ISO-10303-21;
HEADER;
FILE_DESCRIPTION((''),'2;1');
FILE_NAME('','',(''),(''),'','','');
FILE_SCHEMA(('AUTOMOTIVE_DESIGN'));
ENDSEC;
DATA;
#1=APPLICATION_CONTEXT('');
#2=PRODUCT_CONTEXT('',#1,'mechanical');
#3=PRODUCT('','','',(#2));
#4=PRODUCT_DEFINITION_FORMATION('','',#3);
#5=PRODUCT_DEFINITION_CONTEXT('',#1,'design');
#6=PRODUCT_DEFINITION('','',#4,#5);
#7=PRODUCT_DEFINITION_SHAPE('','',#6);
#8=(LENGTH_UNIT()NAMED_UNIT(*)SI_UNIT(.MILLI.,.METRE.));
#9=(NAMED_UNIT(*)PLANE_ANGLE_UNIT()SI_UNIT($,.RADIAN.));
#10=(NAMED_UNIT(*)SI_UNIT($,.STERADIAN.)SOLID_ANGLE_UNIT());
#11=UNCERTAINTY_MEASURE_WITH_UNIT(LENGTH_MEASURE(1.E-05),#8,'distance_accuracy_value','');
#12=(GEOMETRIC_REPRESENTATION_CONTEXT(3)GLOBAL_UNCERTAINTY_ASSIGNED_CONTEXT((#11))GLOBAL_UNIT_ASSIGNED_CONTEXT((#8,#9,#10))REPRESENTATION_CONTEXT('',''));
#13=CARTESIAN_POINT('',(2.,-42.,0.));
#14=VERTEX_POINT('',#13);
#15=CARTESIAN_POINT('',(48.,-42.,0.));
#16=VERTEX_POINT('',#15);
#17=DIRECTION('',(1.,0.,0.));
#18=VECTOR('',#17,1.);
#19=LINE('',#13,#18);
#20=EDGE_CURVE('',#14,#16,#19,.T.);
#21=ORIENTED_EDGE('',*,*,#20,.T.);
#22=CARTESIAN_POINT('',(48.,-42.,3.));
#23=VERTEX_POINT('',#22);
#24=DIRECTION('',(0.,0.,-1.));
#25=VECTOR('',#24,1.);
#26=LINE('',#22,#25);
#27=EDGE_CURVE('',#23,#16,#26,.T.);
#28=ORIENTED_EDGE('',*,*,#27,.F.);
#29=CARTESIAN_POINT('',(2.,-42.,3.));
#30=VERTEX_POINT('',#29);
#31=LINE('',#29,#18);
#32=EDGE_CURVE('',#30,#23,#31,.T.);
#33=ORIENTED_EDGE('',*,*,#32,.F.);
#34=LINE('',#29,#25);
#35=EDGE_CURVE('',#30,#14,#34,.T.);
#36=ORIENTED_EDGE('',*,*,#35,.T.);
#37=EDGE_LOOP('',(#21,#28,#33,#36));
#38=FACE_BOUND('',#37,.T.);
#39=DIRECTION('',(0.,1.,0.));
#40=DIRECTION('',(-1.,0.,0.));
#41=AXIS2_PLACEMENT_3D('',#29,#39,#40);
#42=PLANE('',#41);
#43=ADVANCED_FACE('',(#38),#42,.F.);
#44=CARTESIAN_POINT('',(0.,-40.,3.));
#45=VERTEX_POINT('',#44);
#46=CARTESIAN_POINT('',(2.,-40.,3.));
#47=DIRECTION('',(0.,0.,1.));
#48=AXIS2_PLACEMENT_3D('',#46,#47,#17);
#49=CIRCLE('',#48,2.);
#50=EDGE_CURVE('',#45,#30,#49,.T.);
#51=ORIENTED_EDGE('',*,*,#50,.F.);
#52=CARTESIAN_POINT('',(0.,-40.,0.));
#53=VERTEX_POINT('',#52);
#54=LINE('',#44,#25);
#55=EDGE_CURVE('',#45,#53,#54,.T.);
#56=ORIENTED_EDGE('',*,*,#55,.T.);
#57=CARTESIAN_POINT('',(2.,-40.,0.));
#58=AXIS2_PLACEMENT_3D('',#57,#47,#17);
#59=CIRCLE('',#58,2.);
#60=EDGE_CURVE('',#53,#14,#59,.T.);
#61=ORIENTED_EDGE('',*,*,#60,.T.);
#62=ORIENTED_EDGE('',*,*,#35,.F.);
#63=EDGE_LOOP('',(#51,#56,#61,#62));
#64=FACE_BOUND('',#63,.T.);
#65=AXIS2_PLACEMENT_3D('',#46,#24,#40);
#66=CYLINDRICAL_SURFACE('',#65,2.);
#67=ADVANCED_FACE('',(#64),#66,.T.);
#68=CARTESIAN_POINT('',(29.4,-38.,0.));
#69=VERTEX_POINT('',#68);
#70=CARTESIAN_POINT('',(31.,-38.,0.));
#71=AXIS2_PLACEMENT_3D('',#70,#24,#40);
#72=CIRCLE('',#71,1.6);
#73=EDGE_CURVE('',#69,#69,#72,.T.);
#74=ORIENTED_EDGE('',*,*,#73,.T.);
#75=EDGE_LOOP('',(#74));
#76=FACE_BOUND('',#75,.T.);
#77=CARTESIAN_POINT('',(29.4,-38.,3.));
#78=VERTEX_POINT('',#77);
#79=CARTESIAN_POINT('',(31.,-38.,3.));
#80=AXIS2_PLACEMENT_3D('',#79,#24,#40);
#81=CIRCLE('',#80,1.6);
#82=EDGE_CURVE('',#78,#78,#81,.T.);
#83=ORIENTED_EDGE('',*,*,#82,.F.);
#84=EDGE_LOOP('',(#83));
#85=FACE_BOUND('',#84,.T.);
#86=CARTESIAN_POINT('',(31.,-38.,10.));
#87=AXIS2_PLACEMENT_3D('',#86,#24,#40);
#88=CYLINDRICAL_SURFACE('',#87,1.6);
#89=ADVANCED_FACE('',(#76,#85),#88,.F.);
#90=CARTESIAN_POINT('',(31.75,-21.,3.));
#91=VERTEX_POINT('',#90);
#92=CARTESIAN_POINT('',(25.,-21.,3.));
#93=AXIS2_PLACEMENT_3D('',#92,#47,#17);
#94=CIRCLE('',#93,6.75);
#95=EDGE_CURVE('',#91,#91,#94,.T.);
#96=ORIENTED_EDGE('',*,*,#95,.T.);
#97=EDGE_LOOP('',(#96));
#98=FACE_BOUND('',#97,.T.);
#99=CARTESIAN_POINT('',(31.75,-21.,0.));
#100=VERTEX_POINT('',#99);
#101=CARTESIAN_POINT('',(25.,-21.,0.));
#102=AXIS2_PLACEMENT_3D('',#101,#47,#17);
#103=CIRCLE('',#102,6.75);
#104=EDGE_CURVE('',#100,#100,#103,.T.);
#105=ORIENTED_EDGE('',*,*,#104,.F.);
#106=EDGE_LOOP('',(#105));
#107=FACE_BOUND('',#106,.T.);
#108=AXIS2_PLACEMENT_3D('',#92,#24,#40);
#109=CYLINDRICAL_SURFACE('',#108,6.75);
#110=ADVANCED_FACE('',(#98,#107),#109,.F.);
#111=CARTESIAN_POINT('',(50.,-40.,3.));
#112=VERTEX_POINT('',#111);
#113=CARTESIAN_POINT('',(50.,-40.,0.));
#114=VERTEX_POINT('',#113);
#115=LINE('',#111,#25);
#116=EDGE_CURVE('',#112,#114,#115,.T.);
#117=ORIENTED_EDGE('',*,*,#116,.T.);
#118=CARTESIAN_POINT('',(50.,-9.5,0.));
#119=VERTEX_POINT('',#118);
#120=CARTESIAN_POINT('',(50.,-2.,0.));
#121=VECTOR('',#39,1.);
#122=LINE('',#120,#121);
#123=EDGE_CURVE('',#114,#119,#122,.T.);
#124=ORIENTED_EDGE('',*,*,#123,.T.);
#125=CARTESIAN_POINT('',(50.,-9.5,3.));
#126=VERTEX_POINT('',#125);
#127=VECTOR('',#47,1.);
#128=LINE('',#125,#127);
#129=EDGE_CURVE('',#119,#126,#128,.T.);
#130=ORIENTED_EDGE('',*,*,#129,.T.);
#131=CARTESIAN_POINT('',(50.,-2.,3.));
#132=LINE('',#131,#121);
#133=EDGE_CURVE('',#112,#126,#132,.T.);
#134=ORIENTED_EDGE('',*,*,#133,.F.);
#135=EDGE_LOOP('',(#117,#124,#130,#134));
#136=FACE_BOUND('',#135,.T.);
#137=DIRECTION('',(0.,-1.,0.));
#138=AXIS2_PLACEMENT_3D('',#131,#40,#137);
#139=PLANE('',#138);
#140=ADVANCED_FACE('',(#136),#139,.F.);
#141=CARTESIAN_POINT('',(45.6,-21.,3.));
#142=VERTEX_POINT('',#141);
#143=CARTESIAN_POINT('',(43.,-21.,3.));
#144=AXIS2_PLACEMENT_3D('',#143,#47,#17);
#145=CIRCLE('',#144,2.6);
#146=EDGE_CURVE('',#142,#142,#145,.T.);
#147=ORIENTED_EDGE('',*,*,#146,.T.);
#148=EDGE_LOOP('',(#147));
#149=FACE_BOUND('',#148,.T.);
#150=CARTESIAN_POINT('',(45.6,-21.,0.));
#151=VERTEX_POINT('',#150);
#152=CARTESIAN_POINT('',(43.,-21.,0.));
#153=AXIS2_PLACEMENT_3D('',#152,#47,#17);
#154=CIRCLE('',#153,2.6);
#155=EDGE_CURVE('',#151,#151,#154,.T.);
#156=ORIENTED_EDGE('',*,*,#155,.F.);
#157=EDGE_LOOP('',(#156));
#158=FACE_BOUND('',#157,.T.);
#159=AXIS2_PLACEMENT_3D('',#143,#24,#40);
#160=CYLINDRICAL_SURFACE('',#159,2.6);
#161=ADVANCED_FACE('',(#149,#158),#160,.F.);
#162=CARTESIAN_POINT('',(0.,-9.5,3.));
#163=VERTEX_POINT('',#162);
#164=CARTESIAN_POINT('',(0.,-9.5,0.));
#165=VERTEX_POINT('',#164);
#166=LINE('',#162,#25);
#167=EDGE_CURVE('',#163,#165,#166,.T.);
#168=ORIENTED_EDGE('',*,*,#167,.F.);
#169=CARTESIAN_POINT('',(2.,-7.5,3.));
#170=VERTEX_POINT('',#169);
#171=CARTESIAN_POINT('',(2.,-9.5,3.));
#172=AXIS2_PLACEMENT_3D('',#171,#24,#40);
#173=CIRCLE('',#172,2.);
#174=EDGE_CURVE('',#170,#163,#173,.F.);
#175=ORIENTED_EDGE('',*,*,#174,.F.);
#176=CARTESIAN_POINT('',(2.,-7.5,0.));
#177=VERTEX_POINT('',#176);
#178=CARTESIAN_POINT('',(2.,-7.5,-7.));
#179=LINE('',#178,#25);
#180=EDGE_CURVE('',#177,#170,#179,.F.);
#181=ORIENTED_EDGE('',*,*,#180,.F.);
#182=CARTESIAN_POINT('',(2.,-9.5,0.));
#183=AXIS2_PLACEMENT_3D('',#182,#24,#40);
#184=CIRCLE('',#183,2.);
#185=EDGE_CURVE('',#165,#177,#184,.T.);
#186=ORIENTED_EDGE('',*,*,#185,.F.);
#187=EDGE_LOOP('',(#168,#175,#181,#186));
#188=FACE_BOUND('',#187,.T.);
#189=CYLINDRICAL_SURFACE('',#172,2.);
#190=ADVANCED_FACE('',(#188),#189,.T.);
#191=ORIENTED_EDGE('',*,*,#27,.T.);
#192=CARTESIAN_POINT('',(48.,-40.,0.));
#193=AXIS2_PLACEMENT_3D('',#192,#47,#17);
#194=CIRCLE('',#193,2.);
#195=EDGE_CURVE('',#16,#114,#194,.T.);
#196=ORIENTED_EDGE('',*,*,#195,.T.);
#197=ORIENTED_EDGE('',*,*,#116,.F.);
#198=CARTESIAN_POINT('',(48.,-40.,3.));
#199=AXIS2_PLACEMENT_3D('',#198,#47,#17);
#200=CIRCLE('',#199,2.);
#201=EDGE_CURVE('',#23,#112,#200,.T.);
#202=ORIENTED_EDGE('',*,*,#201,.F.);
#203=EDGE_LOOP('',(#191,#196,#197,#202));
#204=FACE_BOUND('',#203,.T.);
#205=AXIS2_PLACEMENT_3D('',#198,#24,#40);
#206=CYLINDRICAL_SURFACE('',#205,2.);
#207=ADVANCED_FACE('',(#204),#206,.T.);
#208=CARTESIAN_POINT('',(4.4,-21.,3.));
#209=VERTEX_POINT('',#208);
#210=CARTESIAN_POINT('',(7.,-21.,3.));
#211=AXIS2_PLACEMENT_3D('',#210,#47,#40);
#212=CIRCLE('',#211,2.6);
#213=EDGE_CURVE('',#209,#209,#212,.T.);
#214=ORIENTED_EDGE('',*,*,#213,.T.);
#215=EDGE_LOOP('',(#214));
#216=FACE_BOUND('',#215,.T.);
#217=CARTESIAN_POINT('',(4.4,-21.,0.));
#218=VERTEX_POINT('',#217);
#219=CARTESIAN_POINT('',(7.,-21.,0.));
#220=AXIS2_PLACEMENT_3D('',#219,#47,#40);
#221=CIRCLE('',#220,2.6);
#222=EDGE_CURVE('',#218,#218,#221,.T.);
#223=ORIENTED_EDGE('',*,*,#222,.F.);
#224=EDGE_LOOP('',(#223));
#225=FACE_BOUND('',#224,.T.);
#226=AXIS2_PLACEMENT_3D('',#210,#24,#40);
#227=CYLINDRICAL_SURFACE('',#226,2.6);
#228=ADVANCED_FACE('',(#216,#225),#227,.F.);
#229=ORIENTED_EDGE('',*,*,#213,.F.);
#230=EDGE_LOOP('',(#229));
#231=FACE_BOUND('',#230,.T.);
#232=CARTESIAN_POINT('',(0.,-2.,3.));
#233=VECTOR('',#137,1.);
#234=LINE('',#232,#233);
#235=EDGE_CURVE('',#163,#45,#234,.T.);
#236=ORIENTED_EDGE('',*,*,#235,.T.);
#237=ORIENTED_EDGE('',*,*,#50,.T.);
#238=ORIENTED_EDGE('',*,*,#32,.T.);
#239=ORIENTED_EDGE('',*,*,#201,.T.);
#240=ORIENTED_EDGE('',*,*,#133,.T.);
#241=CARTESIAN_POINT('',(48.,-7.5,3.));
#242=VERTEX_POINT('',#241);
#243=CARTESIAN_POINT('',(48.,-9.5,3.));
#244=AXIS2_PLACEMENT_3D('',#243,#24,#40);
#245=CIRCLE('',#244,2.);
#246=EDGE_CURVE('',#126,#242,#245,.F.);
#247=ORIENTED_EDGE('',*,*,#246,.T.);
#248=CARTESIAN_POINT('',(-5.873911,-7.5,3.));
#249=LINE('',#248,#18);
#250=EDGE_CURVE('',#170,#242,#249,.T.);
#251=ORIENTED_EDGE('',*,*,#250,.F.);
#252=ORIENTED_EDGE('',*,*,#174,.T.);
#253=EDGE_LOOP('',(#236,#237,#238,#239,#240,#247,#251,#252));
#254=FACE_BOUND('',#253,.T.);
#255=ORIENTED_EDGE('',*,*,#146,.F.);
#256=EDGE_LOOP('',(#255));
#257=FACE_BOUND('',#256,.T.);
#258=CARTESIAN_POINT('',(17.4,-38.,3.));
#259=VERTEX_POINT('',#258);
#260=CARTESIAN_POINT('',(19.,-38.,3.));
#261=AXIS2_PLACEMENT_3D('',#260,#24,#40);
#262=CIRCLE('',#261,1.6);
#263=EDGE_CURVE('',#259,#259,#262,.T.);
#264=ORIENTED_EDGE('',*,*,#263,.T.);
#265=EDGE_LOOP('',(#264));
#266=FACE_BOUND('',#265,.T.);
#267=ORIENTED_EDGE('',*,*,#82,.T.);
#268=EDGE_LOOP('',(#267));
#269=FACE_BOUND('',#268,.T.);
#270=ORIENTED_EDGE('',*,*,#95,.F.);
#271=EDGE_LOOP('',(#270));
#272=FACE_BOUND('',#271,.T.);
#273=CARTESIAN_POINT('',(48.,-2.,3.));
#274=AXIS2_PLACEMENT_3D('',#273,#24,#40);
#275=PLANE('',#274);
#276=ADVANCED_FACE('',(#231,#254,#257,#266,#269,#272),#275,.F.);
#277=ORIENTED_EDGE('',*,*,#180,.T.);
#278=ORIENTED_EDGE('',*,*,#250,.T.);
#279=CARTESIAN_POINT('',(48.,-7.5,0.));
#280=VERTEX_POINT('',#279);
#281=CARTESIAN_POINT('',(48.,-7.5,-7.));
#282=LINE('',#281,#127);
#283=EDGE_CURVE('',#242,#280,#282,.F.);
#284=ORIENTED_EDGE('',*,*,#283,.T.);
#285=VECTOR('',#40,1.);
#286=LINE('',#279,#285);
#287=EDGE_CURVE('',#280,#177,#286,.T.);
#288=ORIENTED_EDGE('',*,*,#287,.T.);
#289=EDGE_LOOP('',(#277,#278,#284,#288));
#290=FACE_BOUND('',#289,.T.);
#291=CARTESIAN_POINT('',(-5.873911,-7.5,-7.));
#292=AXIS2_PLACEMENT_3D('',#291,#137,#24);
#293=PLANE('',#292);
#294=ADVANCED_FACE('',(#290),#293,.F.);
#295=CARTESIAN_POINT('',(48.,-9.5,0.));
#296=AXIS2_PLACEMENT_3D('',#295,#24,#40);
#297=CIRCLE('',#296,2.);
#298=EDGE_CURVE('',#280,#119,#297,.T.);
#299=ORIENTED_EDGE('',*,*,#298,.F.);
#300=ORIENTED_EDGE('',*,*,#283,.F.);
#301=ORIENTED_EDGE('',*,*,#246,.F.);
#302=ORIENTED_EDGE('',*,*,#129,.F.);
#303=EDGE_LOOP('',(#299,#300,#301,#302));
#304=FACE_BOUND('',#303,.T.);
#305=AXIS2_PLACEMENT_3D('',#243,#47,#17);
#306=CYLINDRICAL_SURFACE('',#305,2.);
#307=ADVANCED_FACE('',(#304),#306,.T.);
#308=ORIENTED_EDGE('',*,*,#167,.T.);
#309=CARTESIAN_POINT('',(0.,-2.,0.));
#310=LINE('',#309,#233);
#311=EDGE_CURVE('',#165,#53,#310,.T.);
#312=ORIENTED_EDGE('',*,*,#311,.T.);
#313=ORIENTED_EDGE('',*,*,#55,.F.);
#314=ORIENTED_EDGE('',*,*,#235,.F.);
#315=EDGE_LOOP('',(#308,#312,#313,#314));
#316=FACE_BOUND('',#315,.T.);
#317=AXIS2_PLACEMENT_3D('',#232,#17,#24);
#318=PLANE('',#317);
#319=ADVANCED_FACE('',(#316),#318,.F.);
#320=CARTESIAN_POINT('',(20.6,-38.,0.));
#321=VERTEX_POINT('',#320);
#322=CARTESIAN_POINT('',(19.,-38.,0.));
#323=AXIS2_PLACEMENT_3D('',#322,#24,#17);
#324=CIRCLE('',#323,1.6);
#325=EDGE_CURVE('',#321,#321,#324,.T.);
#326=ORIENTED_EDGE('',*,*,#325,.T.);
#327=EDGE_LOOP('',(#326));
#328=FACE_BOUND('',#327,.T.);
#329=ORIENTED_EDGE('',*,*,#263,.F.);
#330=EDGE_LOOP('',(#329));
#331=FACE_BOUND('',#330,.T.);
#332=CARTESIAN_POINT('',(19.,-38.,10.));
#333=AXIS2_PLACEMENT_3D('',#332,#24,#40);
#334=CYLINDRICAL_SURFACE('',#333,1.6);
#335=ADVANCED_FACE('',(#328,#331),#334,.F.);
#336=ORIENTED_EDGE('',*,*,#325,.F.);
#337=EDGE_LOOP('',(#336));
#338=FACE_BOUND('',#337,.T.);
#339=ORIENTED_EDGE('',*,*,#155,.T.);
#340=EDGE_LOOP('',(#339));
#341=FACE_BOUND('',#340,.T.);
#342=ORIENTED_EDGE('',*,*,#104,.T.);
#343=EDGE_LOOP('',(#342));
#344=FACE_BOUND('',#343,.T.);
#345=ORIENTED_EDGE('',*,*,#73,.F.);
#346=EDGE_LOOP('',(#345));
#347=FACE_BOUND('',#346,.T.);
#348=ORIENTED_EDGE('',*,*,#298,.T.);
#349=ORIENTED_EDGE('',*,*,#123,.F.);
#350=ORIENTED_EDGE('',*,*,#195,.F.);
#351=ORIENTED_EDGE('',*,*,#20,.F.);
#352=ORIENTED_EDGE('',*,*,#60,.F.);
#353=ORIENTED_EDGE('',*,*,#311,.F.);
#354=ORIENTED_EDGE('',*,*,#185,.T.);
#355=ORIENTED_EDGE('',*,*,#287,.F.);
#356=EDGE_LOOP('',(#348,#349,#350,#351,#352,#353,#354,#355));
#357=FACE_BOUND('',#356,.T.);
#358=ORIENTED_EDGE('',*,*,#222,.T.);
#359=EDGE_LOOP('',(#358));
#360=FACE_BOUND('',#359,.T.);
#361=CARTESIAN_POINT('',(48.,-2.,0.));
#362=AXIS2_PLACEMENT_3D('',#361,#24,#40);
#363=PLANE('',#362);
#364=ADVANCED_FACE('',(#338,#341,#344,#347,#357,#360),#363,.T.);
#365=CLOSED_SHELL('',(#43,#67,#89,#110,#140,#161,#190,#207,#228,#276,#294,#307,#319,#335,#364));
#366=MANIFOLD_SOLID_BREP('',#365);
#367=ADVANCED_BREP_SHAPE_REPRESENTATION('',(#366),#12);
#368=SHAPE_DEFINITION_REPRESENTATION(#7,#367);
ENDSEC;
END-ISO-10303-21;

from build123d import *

# Parameters (mm, degrees)
SKETCH_1_R          = 6.75
SKETCH_1_R_2        = 2.6
EXTRUDE_1_DEPTH     = 3
SKETCH_2_R          = 1.6
CUT_EXTRUDE_1_DEPTH = 10
SKETCH_3_W          = 59.357674729
SKETCH_3_H          = 17.816533783
CUT_EXTRUDE_2_DEPTH = 10
FILLET_1_R          = 2


with BuildPart() as part:
    # 草图1 → 凸台-拉伸1 (new body)
    with BuildSketch(Plane.XY):
        with BuildLine():
            Line((2, 0), (48, 0))
            ThreePointArc((48, 0), (49.414213562, -0.585786438), (50, -2))
            Line((50, -2), (50, -40))
            ThreePointArc((50, -40), (49.414213562, -41.414213562), (48, -42))
            Line((48, -42), (2, -42))
            ThreePointArc((2, -42), (0.585786438, -41.414213562), (0, -40))
            Line((0, -40), (0, -2))
            ThreePointArc((0, -2), (0.585786438, -0.585786438), (2, 0))
        make_face()
        with Locations((25, -21)):
            Circle(SKETCH_1_R, mode=Mode.SUBTRACT)
        with Locations((43, -21)):
            Circle(SKETCH_1_R_2, mode=Mode.SUBTRACT)
        with Locations(Location((7, -21, 0), (0, 0, 180))):
            Circle(SKETCH_1_R_2, mode=Mode.SUBTRACT)
    extrude(amount=EXTRUDE_1_DEPTH)

    # 草图2 → 切除-拉伸1 (cut)
    with BuildSketch(Plane(origin=(0, 0, 0), x_dir=(-1, 0, 0), z_dir=(0, 0, -1))):
        with Locations((-19, -38)):
            Circle(SKETCH_2_R)
        with Locations((-31, -38)):
            Circle(SKETCH_2_R)
    extrude(amount=-CUT_EXTRUDE_1_DEPTH, mode=Mode.SUBTRACT)

    # 草图3 → 切除-拉伸2 (cut)
    with BuildSketch(Plane.XY.offset(3)):
        with Locations((23.80492675, 1.408266891)):
            Rectangle(SKETCH_3_W, SKETCH_3_H)
    extrude(amount=-CUT_EXTRUDE_2_DEPTH, mode=Mode.SUBTRACT)

    # 圆角1
    fillet_1_edges = [part.edges().sort_by_distance(p)[0] for p in [
        (50, -7.5, 1.5),
        (0, -7.5, 1.5),
    ]]
    fillet(fillet_1_edges, radius=FILLET_1_R)


solid = part.part
